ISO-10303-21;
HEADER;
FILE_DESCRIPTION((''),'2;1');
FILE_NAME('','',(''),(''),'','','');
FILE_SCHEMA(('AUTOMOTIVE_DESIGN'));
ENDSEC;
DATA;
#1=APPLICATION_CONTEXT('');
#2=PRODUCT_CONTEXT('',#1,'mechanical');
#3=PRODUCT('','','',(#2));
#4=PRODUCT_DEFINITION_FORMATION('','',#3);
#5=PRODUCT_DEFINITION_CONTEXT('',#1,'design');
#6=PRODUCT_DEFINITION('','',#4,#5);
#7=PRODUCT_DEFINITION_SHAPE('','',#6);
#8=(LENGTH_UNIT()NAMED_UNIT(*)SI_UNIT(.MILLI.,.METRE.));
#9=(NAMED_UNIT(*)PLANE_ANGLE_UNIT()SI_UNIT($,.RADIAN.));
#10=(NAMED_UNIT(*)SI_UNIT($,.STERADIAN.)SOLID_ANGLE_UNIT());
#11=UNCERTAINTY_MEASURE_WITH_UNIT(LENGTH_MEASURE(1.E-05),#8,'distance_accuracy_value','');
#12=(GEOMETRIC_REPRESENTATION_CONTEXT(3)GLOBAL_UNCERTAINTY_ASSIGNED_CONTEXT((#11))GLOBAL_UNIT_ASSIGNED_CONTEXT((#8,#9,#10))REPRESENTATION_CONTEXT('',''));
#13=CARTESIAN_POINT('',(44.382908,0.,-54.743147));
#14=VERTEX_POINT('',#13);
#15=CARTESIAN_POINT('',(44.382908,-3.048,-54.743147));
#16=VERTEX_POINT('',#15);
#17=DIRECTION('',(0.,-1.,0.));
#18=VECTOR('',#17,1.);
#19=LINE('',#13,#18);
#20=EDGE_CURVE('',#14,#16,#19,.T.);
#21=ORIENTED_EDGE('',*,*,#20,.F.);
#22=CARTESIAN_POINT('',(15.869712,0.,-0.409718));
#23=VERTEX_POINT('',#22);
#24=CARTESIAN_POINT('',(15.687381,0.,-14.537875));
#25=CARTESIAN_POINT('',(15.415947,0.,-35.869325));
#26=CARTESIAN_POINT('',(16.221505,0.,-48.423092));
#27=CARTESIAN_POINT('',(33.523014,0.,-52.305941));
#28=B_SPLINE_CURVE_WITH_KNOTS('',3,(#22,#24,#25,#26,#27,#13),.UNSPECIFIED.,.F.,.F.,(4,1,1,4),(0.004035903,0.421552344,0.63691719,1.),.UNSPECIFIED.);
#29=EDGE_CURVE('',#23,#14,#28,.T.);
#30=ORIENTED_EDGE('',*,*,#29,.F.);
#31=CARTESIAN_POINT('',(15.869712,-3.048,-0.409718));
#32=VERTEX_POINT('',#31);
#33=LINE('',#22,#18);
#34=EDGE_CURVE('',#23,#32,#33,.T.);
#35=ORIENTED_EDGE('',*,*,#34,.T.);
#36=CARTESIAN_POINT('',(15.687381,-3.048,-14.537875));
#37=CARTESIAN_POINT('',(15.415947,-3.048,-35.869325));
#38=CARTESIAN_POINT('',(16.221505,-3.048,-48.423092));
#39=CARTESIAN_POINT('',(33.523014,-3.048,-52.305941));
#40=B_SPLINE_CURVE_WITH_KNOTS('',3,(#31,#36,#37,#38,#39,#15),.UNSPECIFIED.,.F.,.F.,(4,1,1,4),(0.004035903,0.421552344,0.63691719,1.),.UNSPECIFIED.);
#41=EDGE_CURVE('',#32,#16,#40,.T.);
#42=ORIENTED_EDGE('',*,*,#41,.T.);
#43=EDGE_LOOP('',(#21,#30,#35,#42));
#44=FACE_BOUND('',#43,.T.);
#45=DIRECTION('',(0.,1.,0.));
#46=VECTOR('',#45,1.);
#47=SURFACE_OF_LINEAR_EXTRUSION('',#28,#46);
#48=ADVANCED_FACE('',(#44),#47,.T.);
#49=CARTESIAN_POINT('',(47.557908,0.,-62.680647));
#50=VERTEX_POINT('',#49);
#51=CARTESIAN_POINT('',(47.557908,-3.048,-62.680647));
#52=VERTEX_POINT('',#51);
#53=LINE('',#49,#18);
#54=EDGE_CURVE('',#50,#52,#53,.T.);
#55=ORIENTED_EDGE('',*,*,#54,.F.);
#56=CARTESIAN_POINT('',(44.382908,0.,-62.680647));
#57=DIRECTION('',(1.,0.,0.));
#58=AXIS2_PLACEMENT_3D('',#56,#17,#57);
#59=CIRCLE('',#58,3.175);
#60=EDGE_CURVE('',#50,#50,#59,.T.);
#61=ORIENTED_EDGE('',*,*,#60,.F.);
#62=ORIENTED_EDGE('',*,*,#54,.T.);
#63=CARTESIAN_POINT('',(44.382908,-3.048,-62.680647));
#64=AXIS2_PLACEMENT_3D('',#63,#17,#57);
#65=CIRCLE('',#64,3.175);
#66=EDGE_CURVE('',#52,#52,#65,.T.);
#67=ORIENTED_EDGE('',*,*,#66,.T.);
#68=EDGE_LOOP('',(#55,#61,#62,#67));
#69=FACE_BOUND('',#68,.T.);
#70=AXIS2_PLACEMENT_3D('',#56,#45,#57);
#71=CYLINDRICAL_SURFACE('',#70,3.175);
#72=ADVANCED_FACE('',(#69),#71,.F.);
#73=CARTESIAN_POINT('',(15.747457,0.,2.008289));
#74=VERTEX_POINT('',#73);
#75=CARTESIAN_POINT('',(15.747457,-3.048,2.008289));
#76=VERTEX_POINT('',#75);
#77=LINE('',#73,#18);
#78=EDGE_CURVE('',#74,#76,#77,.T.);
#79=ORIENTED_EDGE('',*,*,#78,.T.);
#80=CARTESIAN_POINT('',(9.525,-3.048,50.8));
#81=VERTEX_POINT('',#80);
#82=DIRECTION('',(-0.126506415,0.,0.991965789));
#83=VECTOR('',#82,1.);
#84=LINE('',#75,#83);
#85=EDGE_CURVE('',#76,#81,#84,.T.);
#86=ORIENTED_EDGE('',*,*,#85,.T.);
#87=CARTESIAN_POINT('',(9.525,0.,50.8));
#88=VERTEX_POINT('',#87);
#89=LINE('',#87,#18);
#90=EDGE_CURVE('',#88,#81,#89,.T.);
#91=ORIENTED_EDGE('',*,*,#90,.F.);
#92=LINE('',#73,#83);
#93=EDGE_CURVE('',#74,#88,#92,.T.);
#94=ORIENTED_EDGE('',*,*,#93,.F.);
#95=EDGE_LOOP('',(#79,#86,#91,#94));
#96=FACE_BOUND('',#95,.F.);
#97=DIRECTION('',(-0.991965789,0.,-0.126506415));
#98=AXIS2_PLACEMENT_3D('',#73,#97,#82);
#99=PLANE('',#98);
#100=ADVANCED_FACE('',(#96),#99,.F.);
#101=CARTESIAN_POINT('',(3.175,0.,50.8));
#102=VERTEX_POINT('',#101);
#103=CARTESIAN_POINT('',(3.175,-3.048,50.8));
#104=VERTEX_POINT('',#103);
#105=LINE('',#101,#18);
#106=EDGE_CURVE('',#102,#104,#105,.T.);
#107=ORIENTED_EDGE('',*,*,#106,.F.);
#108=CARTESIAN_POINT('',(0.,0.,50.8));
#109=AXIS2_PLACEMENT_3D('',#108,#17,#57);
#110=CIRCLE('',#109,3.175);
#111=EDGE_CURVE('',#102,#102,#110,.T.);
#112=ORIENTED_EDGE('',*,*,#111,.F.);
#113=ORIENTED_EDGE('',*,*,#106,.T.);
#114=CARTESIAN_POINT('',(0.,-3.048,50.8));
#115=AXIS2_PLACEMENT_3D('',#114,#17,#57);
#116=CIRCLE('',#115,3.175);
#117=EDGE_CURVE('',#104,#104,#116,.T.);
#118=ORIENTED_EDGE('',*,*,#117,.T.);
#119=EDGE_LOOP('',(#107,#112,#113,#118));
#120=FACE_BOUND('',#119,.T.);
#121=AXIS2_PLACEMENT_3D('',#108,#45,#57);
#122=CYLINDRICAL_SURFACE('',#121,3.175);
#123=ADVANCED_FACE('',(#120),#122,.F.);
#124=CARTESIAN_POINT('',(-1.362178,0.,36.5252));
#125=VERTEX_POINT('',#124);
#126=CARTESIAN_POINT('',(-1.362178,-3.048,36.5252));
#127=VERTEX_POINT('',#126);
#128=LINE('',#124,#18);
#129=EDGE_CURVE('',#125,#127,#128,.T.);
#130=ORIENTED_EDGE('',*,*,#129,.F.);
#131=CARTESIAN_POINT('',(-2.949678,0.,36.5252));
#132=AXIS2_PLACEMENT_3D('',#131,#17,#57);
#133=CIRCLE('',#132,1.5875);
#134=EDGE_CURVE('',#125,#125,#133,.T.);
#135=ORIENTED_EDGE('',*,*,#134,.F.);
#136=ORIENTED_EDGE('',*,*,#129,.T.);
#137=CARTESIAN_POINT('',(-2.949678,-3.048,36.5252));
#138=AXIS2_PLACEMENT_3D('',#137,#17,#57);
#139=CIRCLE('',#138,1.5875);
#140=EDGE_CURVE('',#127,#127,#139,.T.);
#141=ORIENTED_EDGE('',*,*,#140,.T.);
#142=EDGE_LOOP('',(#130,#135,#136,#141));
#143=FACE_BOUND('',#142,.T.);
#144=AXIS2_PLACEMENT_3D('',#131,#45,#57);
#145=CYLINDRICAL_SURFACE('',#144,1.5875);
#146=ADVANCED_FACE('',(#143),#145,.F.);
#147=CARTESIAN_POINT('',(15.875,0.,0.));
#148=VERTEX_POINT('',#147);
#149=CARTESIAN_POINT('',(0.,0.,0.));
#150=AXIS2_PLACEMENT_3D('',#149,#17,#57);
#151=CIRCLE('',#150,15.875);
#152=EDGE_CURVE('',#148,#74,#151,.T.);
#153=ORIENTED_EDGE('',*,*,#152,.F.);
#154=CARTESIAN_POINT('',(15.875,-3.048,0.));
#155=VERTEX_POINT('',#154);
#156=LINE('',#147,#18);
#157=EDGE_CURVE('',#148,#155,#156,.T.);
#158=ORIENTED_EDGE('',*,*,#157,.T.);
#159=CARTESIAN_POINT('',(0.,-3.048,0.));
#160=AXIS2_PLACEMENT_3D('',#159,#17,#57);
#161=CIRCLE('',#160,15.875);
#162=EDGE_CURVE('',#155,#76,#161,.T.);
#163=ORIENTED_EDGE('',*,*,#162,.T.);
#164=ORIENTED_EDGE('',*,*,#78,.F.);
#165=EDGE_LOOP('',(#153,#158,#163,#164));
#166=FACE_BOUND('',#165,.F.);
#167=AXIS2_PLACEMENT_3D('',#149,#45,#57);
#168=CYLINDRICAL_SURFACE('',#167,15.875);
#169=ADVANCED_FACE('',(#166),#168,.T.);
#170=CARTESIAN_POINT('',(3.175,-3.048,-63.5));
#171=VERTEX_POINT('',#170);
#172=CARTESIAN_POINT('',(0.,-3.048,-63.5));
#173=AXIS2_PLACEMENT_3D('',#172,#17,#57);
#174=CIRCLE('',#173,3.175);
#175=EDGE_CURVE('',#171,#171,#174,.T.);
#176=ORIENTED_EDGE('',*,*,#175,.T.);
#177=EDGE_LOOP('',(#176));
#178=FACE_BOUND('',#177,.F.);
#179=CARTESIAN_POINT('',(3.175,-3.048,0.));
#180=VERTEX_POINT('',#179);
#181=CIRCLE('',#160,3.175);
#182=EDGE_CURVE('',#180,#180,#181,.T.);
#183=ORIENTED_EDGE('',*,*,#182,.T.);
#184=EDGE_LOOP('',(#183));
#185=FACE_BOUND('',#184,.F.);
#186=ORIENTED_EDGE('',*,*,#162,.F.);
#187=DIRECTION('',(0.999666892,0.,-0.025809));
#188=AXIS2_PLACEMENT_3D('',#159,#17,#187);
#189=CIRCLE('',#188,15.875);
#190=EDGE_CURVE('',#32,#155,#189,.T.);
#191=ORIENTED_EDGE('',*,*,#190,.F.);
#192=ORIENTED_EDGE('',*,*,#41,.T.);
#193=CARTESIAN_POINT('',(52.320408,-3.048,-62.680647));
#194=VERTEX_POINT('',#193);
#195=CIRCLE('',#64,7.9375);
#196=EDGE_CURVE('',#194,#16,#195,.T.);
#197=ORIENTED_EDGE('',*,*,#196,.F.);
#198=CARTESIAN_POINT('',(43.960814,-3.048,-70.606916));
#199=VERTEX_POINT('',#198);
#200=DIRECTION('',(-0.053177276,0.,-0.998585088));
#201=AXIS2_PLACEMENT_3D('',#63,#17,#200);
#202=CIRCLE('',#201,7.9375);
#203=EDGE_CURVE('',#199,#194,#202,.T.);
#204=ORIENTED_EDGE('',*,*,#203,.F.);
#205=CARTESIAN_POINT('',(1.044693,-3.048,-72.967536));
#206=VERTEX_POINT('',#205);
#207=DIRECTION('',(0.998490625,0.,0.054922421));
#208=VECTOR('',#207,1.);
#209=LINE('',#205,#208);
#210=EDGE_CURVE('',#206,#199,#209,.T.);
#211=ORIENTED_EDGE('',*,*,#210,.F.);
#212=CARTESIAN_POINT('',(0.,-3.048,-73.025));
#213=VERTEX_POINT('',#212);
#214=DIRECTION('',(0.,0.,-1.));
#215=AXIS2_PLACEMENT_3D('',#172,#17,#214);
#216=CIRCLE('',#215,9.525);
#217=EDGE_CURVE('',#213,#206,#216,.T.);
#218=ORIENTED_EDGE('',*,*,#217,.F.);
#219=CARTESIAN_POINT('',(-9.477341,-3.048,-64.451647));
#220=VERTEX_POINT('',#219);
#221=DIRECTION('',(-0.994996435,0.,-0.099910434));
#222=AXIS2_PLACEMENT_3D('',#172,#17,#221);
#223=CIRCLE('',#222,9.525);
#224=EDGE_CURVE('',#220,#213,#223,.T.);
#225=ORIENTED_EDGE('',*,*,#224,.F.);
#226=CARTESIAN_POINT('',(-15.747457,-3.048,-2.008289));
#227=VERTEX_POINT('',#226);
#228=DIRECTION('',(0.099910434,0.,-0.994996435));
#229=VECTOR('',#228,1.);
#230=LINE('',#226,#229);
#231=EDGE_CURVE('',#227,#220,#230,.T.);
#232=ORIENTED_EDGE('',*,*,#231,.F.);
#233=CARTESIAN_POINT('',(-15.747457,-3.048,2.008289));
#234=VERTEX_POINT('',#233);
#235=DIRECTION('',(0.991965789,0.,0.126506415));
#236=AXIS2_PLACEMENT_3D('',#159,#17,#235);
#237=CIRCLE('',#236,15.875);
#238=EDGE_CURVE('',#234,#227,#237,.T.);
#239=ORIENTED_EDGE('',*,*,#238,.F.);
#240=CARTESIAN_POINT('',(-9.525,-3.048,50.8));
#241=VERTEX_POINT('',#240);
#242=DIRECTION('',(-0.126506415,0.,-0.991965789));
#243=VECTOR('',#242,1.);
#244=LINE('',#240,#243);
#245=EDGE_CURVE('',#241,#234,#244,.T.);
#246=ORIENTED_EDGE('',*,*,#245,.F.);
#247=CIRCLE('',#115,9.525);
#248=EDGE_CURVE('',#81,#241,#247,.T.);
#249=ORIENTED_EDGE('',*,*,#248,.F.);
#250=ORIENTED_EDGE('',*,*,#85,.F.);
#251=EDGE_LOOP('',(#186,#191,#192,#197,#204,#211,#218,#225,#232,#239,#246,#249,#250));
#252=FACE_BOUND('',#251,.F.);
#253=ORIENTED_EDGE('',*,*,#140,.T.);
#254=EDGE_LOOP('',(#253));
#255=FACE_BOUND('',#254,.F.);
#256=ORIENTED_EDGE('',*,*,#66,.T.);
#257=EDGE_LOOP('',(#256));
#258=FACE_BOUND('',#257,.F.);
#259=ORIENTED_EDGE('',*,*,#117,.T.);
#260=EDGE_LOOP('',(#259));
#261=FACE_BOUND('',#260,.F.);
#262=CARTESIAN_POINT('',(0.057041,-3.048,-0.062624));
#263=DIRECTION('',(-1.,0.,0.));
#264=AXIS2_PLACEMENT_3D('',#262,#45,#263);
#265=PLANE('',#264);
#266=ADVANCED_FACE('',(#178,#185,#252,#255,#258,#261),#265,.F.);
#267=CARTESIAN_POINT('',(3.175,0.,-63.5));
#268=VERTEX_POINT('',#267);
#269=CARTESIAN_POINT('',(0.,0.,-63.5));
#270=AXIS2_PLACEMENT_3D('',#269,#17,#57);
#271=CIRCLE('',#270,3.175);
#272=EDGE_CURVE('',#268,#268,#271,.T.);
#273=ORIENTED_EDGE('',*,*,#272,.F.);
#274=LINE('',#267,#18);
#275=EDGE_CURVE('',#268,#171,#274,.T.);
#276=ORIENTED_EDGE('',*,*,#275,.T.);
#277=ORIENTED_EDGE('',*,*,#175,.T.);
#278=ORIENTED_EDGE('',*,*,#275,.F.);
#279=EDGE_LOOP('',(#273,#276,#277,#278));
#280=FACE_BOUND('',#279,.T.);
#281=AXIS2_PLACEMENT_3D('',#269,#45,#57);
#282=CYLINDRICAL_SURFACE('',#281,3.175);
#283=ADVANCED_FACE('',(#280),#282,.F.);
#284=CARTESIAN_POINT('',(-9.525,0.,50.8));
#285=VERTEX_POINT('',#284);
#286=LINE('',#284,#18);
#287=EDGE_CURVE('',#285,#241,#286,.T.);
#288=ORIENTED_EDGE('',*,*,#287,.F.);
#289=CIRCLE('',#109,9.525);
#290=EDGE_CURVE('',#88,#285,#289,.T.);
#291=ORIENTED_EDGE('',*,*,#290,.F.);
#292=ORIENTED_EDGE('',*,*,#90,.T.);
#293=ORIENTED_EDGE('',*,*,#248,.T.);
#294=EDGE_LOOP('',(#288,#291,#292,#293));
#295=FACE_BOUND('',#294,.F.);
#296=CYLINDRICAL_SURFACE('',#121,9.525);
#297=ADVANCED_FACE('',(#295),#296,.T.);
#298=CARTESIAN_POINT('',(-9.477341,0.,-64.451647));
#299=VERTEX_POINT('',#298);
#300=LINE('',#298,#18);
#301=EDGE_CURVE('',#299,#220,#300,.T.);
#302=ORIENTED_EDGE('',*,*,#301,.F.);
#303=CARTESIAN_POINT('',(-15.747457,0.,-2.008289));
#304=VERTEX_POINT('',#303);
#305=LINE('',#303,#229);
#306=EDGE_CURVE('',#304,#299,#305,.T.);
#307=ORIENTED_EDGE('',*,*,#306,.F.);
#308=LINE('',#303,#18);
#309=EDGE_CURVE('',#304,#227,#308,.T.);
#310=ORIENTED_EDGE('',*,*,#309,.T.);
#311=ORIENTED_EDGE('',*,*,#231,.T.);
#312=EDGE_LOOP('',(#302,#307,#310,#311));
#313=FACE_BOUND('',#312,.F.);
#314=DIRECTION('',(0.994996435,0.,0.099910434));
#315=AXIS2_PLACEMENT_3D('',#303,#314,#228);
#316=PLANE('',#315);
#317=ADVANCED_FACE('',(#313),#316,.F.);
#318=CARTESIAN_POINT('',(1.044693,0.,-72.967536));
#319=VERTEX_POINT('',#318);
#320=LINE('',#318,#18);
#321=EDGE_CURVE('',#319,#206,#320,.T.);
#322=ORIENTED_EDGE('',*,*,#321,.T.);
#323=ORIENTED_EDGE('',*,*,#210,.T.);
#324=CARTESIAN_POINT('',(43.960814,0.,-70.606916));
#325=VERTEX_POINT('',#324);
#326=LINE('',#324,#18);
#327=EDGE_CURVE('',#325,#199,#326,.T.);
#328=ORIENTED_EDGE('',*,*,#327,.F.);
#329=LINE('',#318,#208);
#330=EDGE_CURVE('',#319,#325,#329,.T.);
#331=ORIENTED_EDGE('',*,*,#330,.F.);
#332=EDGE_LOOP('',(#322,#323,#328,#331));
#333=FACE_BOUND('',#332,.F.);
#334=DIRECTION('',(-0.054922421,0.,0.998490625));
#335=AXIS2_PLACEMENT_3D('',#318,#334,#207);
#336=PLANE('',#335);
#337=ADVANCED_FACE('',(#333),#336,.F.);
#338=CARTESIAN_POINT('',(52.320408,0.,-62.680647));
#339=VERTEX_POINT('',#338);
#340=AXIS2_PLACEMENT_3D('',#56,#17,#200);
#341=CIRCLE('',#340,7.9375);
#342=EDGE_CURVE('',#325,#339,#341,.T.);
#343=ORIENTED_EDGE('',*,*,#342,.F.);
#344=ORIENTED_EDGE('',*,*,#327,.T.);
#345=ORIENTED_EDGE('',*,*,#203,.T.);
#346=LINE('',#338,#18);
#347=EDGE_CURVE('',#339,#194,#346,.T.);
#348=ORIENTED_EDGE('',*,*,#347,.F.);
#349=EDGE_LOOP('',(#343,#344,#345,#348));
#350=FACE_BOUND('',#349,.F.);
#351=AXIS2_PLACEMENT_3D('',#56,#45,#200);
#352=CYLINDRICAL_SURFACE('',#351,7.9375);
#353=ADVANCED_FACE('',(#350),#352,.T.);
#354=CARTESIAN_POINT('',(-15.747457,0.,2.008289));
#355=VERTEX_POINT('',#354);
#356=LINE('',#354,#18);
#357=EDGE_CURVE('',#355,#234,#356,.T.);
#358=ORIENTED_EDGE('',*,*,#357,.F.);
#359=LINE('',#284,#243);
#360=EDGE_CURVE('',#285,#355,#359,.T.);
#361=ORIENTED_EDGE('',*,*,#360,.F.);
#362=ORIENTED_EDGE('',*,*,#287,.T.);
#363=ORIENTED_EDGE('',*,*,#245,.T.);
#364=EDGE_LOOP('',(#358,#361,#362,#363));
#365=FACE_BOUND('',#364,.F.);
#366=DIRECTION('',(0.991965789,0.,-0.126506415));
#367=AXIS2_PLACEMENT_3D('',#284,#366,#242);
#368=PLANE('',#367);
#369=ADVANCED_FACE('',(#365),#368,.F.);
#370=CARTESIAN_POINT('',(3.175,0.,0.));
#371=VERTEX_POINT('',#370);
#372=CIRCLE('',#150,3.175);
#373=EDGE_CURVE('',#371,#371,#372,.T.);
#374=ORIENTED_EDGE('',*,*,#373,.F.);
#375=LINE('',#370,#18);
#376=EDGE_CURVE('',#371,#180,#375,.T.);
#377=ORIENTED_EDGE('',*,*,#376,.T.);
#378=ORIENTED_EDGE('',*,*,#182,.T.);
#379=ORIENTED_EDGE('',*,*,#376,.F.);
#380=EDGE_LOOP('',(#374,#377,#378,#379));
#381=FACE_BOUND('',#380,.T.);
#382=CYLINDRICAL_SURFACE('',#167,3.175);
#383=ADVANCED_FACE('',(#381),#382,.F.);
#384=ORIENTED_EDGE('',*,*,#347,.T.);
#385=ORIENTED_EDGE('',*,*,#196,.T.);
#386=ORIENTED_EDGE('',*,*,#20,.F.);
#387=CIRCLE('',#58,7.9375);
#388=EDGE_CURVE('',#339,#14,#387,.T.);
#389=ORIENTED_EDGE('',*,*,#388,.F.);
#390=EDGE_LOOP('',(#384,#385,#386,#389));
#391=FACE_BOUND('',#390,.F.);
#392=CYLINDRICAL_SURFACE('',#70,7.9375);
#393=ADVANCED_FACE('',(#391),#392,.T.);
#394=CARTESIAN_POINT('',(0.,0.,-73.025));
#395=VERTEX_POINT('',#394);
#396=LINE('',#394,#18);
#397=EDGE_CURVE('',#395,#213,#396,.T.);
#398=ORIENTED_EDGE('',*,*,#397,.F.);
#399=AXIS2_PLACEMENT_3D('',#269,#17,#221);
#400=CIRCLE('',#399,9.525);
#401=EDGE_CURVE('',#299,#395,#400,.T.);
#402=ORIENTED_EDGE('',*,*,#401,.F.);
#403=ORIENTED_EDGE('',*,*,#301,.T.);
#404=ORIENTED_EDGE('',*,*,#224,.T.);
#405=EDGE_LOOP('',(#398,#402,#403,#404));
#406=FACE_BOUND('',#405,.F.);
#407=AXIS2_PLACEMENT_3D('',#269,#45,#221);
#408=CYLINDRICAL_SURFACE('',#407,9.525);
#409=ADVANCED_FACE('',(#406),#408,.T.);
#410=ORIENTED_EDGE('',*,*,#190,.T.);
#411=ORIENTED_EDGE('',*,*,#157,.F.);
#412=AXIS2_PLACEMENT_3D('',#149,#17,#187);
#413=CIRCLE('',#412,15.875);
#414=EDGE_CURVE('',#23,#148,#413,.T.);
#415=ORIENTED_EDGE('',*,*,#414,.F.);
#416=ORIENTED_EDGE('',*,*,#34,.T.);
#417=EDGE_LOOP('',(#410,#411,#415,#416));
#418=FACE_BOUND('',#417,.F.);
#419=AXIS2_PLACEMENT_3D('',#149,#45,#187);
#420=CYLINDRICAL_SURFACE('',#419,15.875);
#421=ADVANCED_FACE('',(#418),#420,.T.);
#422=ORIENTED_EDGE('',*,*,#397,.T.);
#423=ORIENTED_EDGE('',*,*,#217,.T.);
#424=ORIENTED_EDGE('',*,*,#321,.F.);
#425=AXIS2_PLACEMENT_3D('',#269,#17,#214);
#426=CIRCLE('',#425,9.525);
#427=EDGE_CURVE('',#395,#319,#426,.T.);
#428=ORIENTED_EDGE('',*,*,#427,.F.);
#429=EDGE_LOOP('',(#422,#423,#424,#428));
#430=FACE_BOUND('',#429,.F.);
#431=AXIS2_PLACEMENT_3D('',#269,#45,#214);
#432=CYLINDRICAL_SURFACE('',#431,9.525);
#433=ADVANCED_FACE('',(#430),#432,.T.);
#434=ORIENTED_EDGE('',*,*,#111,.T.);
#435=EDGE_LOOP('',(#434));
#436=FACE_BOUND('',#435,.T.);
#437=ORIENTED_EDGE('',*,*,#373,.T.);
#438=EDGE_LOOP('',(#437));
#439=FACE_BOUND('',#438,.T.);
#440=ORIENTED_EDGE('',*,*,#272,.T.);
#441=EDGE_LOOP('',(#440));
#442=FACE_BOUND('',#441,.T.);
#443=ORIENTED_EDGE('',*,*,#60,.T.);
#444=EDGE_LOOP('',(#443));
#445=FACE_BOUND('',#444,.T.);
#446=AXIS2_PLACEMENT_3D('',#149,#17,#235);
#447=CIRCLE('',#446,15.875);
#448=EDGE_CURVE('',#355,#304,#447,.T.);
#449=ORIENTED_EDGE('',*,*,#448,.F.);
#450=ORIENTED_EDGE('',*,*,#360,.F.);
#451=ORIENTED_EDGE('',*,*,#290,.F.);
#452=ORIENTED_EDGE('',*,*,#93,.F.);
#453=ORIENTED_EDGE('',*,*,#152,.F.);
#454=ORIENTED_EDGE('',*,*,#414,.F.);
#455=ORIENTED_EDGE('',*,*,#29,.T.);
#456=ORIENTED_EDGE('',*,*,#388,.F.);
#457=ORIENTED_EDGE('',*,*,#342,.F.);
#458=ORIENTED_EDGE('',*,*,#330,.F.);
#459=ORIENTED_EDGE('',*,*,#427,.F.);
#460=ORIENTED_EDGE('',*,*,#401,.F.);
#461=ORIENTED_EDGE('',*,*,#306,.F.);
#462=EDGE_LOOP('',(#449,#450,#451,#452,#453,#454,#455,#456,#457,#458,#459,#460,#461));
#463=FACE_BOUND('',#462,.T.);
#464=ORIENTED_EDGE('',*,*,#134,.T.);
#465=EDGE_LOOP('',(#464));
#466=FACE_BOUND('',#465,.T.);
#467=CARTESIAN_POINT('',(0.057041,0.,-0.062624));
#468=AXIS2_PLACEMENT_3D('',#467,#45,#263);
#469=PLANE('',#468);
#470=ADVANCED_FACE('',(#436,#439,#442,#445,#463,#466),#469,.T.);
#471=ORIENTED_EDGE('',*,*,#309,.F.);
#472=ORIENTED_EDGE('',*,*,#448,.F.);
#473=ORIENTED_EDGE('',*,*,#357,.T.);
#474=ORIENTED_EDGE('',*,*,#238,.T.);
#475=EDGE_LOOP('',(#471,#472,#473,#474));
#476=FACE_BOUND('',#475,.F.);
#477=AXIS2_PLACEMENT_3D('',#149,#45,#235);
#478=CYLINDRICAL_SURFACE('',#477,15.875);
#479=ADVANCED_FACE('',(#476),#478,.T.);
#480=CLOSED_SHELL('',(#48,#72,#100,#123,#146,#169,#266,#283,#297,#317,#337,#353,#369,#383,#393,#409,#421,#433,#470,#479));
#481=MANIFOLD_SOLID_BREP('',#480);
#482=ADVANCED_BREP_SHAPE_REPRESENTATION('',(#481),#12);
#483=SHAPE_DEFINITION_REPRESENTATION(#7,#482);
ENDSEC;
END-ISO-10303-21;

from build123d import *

# Parameters (mm, degrees)
F0_R     = 3.175
F0_R_2   = 1.5875
F1_DEPTH = 3.048


with BuildPart() as f1:
    # F0 (on Front) → F1 (new body)
    with BuildSketch(Plane.XZ):
        with BuildLine():
            add(Edge.make_bspline(
                [(15.875, 0), (15.8732372033, -0.1365743579), (15.8714744066, -0.2731487158), (15.8697119149, -0.4097178745)],
                knots=[0, 0, 0, 0, 0.0040359027, 0.0040359027, 0.0040359027, 0.0040359027], degree=3))
            ThreePointArc((15.875, 0), (15.8430821396, 1.0061676396), (15.7474569047, 2.0082893304))
            ThreePointArc((15.7474569047, 2.0082893304), (0, 15.875), (-15.7474569047, 2.0082893304))
            ThreePointArc((-15.7474569047, 2.0082893304), (-15.875, 0), (-15.7474569047, -2.0082893304))
            ThreePointArc((-15.7474569047, -2.0082893304), (0.8016197645, -15.8547478931), (15.8697119149, -0.4097178745))
        make_face()
        Circle(F0_R, mode=Mode.SUBTRACT)
        with BuildLine():
            ThreePointArc((15.8697119149, -0.4097178745), (15.8736779237, -0.2048759994), (15.875, 0))
            add(Edge.make_bspline(
                [(15.875, 0), (15.8732372033, -0.1365743579), (15.8714744066, -0.2731487158), (15.8697119149, -0.4097178745)],
                knots=[0, 0, 0, 0, 0.0040359027, 0.0040359027, 0.0040359027, 0.0040359027], degree=3))
        make_face()
        with BuildLine():
            ThreePointArc((-15.7474569047, 2.0082893304), (0, 15.875), (15.7474569047, 2.0082893304))
            Line((15.7474569047, 2.0082893304), (9.525, 50.8))
            ThreePointArc((9.525, 50.8), (0, 41.275), (-9.525, 50.8))
            Line((-9.525, 50.8), (-15.7474569047, 2.0082893304))
        make_face()
        with Locations((-2.9496776406, 36.5252)):
            Circle(F0_R_2, mode=Mode.SUBTRACT)
        with BuildLine():
            add(Edge.make_bspline(
                [(15.8697119149, -0.4097178745), (15.6873811422, -14.5378753073), (15.4159472913, -35.8693253106), (16.221504585, -48.4230919996), (33.5230137181, -52.3059412595), (44.3829082704, -54.7431467772)],
                knots=[0.0040359027, 0.0040359027, 0.0040359027, 0.0040359027, 0.421552344, 0.6369171903, 1, 1, 1, 1], degree=3))
            ThreePointArc((15.8697119149, -0.4097178745), (0.8016197645, -15.8547478931), (-15.7474569047, -2.0082893304))
            Line((-15.7474569047, -2.0082893304), (-9.4773410414, -64.4516468803))
            ThreePointArc((-9.4773410414, -64.4516468803), (-0.4764197627, -53.986922201), (9.525, -63.5))
            ThreePointArc((9.525, -63.5), (7.0949392109, -69.8551131063), (1.0446928936, -72.9675362032))
            Line((1.0446928936, -72.9675362032), (43.960813643, -70.6069159106))
            ThreePointArc((43.960813643, -70.6069159106), (36.4482164838, -62.4695247705), (44.3829082704, -54.7431467772))
        make_face()
        with BuildLine():
            ThreePointArc((-9.525, 50.8), (0, 41.275), (9.525, 50.8))
            ThreePointArc((9.525, 50.8), (0, 60.325), (-9.525, 50.8))
        make_face()
        with Locations((0, 50.8)):
            Circle(F0_R, mode=Mode.SUBTRACT)
        with BuildLine():
            ThreePointArc((52.3204082704, -62.6806467772), (49.995568346, -57.0679867015), (44.3829082704, -54.7431467772))
            ThreePointArc((44.3829082704, -54.7431467772), (36.4482164838, -62.4695247705), (43.960813643, -70.6069159106))
            ThreePointArc((43.960813643, -70.6069159106), (49.8442968367, -68.4406069487), (52.3204082704, -62.6806467772))
        make_face()
        with Locations((44.3829082704, -62.6806467772)):
            Circle(F0_R, mode=Mode.SUBTRACT)
        with BuildLine():
            ThreePointArc((9.525, -63.5), (-0.4764197627, -53.986922201), (-9.4773410414, -64.4516468803))
            ThreePointArc((-9.4773410414, -64.4516468803), (-6.3898821767, -70.5636414665), (0, -73.025))
            Line((0, -73.025), (1.0446928936, -72.9675362032))
            ThreePointArc((1.0446928936, -72.9675362032), (7.0949392109, -69.8551131063), (9.525, -63.5))
        make_face()
        with Locations((0, -63.5)):
            Circle(F0_R, mode=Mode.SUBTRACT)
        with BuildLine():
            Line((1.0446928936, -72.9675362032), (0, -73.025))
            ThreePointArc((0, -73.025), (0.5231360554, -73.0106232008), (1.0446928936, -72.9675362032))
        make_face()
    extrude(amount=F1_DEPTH)


solid = f1.part
